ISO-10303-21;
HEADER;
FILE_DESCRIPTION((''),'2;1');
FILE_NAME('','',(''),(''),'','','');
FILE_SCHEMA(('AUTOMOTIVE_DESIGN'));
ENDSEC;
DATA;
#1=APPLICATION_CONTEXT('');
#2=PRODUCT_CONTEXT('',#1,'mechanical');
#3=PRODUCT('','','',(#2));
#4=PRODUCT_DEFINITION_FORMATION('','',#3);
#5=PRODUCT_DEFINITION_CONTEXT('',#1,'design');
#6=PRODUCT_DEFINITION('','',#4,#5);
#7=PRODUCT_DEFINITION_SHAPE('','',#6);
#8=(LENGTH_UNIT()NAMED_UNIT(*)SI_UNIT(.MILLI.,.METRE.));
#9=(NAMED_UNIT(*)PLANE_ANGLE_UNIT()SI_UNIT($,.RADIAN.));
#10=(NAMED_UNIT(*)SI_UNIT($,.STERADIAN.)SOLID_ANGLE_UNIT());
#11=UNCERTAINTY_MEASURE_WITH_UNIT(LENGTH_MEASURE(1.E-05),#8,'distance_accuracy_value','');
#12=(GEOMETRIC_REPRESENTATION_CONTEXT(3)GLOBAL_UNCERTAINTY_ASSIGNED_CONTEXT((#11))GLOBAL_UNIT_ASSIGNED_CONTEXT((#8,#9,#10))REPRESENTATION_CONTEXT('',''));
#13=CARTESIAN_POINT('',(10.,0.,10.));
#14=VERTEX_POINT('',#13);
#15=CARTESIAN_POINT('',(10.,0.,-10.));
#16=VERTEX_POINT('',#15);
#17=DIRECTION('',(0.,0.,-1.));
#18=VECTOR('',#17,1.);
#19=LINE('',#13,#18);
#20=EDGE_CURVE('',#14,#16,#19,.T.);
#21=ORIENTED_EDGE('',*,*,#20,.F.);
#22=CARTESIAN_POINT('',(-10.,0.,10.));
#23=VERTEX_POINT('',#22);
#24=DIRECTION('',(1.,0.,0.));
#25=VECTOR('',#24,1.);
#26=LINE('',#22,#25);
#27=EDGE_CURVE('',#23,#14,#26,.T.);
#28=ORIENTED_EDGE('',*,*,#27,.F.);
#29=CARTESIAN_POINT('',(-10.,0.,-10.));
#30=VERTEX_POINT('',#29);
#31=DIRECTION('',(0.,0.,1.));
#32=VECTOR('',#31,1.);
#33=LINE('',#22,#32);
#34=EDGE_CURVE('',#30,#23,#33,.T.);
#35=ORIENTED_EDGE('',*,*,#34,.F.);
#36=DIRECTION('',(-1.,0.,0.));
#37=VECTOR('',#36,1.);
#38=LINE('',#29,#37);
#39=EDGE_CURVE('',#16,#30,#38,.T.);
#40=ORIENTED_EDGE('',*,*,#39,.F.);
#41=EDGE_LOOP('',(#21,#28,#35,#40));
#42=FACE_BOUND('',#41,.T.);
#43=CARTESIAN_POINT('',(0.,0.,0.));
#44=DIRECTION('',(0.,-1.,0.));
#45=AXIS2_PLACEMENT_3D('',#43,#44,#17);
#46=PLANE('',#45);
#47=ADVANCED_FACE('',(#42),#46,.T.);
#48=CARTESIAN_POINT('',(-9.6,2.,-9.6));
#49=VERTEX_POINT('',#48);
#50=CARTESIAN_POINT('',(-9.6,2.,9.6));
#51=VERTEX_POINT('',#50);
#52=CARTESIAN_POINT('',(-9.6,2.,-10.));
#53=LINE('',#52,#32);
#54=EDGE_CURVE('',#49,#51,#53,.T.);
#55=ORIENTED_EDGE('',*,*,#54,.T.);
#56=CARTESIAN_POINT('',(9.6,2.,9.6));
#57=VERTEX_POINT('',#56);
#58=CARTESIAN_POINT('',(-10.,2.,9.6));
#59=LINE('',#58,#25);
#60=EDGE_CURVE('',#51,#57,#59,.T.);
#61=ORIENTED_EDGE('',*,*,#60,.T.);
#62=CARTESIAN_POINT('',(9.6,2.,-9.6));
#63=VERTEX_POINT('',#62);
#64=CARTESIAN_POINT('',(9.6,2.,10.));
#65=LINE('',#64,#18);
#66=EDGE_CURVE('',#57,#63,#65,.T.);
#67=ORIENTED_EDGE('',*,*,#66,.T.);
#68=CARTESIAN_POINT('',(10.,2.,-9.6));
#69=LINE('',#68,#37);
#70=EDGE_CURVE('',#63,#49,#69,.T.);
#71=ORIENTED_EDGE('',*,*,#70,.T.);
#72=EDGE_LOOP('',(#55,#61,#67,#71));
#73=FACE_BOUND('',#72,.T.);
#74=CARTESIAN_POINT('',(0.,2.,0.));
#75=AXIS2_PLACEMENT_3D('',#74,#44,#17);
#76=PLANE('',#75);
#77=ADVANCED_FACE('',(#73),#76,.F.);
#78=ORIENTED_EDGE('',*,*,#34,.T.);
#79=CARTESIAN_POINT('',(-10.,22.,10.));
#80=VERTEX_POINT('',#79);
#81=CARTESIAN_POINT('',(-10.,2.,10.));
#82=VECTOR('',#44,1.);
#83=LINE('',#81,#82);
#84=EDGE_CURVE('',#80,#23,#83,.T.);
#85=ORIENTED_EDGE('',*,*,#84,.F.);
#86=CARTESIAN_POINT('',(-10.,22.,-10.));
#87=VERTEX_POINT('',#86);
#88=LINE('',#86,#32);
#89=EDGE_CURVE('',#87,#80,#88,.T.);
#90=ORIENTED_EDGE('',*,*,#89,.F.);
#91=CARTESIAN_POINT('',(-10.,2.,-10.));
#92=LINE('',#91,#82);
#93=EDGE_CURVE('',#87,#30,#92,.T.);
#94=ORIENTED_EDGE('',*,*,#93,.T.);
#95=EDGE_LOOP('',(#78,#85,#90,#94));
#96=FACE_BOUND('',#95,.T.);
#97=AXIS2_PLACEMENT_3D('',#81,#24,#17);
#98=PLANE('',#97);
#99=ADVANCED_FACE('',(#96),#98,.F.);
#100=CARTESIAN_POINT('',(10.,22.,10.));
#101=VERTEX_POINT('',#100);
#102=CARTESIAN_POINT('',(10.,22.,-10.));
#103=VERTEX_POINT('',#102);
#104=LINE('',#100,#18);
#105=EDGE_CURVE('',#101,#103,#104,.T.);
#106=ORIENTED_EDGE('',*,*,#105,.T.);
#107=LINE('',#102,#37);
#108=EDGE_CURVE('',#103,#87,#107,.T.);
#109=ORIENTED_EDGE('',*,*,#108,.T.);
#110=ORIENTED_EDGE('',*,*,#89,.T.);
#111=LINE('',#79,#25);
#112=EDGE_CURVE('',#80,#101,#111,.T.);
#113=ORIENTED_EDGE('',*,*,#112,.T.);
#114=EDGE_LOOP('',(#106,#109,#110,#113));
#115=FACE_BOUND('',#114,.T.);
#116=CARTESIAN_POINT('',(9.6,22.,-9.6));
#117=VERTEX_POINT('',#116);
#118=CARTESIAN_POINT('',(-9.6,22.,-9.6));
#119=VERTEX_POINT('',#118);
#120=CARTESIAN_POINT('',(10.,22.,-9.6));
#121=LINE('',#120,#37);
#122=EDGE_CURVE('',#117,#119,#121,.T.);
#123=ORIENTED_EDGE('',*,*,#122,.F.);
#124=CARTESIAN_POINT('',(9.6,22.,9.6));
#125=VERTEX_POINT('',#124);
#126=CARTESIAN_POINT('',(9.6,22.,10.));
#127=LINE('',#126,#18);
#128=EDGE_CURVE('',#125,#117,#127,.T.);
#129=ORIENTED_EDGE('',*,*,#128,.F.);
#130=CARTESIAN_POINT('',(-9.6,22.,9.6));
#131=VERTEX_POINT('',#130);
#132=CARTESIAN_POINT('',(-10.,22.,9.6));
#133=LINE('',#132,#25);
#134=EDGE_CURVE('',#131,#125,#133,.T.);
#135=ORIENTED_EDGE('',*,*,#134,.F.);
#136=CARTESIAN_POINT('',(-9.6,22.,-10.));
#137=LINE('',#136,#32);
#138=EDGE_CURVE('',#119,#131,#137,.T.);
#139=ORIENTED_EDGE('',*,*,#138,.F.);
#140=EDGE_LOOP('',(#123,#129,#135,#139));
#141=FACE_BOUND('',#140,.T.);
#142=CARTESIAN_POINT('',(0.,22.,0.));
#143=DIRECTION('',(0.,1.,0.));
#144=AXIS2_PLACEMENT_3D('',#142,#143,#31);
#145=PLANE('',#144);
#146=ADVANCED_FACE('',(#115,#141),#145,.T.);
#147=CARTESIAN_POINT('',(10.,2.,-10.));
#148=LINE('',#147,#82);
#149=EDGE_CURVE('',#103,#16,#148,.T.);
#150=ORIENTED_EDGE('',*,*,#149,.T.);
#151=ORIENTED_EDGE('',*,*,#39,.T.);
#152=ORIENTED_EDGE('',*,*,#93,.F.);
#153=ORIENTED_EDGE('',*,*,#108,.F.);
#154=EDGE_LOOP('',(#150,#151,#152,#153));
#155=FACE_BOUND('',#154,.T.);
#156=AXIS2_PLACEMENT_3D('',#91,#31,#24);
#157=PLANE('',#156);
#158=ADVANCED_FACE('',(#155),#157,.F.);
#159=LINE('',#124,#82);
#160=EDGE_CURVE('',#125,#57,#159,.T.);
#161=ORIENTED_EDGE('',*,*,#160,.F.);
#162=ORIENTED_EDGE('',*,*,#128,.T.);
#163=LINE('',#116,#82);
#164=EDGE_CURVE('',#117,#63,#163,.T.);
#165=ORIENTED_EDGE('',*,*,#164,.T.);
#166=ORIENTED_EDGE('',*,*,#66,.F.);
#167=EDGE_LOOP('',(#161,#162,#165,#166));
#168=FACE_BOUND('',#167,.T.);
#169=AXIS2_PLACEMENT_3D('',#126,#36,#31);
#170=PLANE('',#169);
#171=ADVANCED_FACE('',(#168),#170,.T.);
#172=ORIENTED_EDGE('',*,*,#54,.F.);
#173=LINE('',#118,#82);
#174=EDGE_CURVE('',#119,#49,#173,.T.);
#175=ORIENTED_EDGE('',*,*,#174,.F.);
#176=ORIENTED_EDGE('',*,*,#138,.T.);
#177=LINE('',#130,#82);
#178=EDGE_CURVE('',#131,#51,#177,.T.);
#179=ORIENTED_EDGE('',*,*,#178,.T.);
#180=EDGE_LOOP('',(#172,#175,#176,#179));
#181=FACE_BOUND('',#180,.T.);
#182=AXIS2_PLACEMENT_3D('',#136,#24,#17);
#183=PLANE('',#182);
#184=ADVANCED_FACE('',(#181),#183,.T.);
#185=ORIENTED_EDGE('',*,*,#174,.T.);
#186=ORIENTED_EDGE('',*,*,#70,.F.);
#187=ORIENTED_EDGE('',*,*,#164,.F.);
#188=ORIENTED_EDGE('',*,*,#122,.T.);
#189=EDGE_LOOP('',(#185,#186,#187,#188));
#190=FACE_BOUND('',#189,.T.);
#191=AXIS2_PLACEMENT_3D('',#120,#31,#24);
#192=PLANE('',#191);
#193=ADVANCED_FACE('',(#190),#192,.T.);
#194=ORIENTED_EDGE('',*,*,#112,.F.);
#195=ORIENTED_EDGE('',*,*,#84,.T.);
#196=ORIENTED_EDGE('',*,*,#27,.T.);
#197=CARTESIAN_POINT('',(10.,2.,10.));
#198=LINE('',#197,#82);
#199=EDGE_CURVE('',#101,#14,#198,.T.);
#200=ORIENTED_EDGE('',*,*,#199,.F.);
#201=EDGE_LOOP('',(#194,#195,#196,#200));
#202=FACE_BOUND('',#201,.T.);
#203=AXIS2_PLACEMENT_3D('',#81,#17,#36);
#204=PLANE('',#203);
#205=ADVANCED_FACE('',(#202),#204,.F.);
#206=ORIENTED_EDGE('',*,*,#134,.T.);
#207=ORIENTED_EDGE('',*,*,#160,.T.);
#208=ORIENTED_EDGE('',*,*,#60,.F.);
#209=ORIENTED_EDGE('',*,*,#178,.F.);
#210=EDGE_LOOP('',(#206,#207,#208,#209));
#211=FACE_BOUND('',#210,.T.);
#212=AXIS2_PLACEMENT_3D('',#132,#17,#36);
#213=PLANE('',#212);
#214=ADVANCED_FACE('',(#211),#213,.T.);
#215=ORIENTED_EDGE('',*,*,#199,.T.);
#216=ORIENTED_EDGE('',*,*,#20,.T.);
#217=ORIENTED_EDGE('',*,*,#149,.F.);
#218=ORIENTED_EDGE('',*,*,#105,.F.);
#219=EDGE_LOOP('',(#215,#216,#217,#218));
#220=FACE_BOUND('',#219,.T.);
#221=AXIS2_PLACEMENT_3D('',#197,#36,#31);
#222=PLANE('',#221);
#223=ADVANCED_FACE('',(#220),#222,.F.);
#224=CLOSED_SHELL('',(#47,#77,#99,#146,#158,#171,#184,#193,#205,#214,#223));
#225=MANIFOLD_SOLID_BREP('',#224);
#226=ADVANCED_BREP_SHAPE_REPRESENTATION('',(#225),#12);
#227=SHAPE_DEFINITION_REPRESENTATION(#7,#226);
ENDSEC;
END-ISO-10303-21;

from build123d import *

# Parameters (mm, degrees)
SZKIC1_W                          = 20
SZKIC1_H                          = 20
DODANIE_WYCI_GNI_CIE1_DEPTH       = 2
SZKIC2_W                          = 20
SZKIC2_H                          = 20
SZKIC2_W_2                        = 19.2
SZKIC2_H_2                        = 19.2
WYCI_GNI_CIE_CIENKA_CIANKA1_DEPTH = 20


with BuildPart() as part:
    # Szkic1 → Dodanie-wyciągnięcie1 (new body)
    with BuildSketch(Plane(origin=(0, 0, 0), x_dir=(1, 0, 0), z_dir=(0, 1, 0))):
        Rectangle(SZKIC1_W, SZKIC1_H)
    extrude(amount=DODANIE_WYCI_GNI_CIE1_DEPTH)

    # Szkic2 → Wyciągnięcie-cienka ścianka1 (add)
    with BuildSketch(Plane(origin=(0, 2, 0), x_dir=(1, 0, 0), z_dir=(0, 1, 0))):
        Rectangle(SZKIC2_W, SZKIC2_H)
        Rectangle(SZKIC2_W_2, SZKIC2_H_2, mode=Mode.SUBTRACT)
    extrude(amount=WYCI_GNI_CIE_CIENKA_CIANKA1_DEPTH)


solid = part.part
